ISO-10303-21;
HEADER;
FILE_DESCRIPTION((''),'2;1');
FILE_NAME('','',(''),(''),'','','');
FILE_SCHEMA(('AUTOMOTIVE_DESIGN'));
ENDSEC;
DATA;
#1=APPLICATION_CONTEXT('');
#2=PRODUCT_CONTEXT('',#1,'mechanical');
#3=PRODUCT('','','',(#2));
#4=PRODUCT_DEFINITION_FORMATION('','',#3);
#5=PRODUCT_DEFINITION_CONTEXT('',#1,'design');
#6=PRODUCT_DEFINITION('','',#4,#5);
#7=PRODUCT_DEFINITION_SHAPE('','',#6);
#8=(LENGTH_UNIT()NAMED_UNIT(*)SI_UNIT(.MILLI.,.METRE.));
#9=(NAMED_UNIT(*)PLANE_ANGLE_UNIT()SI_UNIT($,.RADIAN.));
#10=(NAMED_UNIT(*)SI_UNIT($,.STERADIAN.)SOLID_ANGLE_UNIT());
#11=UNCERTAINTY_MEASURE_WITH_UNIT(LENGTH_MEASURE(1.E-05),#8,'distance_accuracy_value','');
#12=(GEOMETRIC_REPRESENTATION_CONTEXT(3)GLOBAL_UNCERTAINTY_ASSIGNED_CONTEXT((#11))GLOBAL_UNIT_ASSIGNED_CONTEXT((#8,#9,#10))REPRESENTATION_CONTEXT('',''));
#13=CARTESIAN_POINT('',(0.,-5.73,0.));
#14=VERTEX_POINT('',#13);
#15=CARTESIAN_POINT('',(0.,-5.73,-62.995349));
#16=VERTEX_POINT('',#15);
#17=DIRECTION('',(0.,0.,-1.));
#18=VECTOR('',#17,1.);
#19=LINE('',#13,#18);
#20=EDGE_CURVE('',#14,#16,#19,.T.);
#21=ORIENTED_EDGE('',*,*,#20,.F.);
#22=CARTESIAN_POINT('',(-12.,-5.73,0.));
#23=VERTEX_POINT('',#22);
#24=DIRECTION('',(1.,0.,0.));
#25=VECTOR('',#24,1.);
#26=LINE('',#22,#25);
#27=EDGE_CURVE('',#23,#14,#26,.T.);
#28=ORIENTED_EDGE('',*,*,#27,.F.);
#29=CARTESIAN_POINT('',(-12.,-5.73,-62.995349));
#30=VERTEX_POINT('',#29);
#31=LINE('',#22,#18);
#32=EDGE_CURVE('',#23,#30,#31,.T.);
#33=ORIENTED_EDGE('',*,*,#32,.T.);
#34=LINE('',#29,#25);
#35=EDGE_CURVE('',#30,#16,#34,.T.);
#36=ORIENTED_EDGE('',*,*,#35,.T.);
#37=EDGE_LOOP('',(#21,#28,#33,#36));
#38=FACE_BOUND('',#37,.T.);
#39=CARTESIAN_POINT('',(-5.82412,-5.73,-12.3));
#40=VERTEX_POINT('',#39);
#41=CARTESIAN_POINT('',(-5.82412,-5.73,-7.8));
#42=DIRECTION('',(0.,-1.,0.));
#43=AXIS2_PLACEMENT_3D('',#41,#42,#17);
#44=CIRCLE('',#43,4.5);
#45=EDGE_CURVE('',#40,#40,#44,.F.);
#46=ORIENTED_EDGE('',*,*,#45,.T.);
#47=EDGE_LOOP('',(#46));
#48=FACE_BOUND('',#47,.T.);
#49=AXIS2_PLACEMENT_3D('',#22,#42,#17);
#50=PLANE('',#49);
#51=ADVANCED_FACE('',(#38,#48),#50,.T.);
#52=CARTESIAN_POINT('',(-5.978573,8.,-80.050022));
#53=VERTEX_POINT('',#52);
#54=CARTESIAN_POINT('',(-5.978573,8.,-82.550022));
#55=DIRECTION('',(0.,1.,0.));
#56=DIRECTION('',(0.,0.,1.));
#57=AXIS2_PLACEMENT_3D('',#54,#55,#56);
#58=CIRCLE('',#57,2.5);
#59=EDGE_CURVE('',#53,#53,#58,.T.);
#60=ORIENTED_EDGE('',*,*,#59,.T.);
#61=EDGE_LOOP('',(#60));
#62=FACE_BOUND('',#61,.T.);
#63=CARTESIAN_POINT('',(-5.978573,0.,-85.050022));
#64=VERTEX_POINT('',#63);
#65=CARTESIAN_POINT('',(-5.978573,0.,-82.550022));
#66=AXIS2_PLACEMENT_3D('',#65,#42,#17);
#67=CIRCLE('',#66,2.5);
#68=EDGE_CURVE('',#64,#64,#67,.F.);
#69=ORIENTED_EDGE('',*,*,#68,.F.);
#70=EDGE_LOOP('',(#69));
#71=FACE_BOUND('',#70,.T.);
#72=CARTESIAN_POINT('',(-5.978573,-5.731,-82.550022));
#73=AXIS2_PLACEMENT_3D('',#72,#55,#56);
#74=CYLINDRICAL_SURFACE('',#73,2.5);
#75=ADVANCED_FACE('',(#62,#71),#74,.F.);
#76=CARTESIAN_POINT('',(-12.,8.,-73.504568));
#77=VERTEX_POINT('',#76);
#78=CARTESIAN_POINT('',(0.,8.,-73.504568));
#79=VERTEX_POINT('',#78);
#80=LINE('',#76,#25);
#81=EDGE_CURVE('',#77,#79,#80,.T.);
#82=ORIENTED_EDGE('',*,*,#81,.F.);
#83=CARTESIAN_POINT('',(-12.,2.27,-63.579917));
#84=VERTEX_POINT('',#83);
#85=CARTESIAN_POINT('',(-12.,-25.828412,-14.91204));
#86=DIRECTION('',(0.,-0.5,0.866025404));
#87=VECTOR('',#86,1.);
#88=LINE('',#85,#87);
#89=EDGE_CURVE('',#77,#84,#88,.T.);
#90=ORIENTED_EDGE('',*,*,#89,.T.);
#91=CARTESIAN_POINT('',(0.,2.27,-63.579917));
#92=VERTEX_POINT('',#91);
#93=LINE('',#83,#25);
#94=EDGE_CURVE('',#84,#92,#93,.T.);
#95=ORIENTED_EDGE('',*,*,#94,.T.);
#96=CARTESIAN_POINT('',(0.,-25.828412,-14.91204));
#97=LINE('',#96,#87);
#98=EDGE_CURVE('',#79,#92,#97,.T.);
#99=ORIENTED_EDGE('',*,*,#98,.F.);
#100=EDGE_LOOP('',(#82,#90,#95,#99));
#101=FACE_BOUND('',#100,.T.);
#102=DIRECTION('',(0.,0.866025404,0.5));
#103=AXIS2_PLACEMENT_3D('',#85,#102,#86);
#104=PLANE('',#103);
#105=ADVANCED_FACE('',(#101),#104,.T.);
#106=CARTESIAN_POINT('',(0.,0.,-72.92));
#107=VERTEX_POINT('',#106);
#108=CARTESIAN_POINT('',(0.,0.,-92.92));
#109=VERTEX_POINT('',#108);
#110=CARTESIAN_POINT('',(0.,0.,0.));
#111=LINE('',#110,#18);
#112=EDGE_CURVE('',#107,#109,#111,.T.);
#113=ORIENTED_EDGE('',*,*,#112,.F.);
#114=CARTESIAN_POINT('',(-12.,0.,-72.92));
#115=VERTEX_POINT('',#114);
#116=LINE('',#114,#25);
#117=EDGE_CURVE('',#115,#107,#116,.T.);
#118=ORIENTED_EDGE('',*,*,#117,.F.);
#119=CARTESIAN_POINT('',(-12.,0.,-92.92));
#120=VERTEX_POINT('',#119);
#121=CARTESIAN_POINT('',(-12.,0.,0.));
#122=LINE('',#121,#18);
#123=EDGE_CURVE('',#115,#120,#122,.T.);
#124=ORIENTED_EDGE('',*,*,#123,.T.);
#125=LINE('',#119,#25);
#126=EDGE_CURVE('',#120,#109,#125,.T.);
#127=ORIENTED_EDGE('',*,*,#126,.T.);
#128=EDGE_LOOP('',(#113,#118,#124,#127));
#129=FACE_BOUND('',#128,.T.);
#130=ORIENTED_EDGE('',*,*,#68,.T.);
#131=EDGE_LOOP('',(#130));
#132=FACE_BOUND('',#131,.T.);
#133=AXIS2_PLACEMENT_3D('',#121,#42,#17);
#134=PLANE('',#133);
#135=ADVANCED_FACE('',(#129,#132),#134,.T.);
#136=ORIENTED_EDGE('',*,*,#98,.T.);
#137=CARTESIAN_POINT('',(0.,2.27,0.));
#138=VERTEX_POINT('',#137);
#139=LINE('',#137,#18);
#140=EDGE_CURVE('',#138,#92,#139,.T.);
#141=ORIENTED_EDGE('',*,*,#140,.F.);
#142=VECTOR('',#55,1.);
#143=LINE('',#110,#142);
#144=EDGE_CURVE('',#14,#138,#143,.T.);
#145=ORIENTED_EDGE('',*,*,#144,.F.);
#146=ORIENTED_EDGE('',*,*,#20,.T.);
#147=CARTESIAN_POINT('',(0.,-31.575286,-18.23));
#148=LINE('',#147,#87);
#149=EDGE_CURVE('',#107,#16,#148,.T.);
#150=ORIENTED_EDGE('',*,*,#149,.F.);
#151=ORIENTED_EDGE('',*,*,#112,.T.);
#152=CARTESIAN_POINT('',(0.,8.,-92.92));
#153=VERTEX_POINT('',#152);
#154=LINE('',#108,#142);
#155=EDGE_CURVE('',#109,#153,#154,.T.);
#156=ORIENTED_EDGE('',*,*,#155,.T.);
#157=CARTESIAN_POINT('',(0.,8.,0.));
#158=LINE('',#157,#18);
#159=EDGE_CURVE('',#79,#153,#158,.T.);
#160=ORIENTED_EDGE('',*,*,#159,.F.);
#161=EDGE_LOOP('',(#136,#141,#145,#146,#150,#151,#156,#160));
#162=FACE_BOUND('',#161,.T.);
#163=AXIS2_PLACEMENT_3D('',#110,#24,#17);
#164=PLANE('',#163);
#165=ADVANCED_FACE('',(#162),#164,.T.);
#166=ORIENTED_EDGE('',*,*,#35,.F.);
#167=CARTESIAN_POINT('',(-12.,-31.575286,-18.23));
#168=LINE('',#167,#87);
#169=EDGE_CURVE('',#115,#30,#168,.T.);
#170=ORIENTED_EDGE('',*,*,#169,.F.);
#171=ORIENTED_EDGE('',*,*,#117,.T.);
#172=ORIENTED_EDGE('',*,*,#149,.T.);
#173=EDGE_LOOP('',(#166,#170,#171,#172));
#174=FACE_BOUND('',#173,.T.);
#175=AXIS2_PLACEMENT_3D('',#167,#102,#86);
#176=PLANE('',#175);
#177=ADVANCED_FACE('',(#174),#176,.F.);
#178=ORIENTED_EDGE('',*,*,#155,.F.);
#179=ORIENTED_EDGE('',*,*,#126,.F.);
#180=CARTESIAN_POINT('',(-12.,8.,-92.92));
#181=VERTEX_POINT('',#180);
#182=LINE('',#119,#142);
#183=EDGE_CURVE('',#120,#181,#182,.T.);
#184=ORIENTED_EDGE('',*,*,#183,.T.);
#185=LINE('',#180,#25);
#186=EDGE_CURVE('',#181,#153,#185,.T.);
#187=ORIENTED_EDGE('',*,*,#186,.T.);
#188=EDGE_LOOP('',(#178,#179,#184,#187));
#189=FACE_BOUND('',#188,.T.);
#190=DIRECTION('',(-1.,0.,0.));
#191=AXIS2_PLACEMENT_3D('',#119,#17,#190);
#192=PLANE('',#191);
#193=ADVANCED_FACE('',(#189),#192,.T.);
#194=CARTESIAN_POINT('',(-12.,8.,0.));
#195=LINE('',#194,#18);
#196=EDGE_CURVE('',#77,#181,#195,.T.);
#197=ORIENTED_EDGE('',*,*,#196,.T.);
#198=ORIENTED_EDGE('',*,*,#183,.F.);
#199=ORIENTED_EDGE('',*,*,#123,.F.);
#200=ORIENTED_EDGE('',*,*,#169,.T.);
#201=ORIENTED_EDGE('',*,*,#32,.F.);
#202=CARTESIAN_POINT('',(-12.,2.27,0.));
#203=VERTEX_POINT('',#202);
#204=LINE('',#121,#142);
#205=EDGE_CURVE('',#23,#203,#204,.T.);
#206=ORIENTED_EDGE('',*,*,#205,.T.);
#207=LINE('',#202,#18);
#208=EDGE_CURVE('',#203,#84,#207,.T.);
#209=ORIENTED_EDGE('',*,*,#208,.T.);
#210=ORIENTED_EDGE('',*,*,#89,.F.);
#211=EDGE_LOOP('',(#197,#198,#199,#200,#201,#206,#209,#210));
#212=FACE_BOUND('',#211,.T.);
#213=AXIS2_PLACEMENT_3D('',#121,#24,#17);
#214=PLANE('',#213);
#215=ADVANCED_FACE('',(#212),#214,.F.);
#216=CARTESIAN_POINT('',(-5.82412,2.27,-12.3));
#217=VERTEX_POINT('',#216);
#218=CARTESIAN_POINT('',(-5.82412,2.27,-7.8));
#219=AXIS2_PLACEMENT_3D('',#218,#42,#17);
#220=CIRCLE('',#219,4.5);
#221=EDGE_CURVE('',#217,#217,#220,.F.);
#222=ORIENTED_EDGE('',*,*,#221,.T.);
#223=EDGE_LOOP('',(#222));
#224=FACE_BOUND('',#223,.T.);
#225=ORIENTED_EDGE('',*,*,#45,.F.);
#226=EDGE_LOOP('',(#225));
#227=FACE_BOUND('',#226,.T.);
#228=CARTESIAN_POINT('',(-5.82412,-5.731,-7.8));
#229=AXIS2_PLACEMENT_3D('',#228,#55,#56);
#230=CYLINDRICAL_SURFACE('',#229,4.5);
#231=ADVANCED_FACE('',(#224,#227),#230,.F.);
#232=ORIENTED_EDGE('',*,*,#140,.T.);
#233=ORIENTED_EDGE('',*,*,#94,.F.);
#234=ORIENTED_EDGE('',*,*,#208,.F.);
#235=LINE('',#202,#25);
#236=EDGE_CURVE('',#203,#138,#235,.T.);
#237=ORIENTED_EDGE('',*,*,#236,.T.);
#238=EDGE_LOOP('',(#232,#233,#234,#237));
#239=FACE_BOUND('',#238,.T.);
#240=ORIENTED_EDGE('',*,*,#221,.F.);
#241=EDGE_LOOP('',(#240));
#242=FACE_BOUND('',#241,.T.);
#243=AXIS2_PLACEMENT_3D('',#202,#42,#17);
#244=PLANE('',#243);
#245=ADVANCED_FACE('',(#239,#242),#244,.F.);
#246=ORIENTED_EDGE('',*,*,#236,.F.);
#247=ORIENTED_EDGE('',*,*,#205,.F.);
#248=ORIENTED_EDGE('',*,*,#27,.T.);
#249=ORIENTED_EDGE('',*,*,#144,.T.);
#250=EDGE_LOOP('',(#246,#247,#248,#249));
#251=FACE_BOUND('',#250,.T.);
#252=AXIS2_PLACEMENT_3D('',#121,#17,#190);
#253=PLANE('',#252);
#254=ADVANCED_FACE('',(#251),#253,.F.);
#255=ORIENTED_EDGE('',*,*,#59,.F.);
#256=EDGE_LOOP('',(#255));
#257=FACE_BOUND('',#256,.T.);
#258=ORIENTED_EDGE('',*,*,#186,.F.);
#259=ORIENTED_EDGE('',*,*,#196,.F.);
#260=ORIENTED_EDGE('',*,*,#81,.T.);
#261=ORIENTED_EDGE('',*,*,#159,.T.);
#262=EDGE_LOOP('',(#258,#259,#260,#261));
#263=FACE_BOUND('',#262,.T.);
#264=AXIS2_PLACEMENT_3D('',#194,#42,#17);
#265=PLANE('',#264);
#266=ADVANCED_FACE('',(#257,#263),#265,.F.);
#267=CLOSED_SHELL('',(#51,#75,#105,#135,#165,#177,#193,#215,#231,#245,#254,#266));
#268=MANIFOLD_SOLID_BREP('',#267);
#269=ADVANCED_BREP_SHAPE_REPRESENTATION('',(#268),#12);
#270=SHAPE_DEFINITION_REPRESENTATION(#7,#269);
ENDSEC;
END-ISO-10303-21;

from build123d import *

# Parameters (mm, degrees)
BOSS_EXTRUDE1_DEPTH = 12
CUT_EXTRUDE1_DEPTH  = 13.73


with BuildPart() as part:
    # Sketch1 → Boss-Extrude1 (new body)
    with BuildSketch(Plane(origin=(0, 0, 0), x_dir=(0, 0, -1), z_dir=(1, 0, 0))):
        Polygon((62.995348873, -5.73), (72.92, 0), (92.92, 0), (92.92, 3.314764861), (92.92, 8), (73.504568374, 8), (63.579917247, 2.27), (0, 2.27), (0, 0), (0, -5.73), (26.973026027, -5.73), align=None)
    extrude(amount=-BOSS_EXTRUDE1_DEPTH)

    # Sketch2 → Cut-Extrude1 (cut)
    with BuildSketch(Plane(origin=(0, 8, 0), x_dir=(1, 0, 0), z_dir=(0, 1, 0))):
        with BuildLine():
            ThreePointArc((-5.833418362, 12.299990394), (-10.32411062, 7.790701865), (-5.814822091, 3.300009606))
            Line((-5.814822091, 3.300009606), (-5.833418362, 12.299990394))
        make_face()
        with BuildLine():
            Line((-5.833418362, 12.299990394), (-5.814822091, 3.300009606))
            ThreePointArc((-5.814822091, 3.300009606), (-2.63885402, 4.621308572), (-1.324120226, 7.8))
            ThreePointArc((-1.324120226, 7.8), (-2.645428798, 10.985266206), (-5.833418362, 12.299990394))
        make_face()
        with BuildLine():
            ThreePointArc((-5.983738594, 85.0500168), (-8.478567627, 82.544856506), (-5.973407332, 80.050027474))
            Line((-5.973407332, 80.050027474), (-5.983738594, 85.0500168))
        make_face()
        with BuildLine():
            Line((-5.983738594, 85.0500168), (-5.973407332, 80.050027474))
            ThreePointArc((-5.973407332, 80.050027474), (-4.208980626, 80.784082455), (-3.478572963, 82.550022137))
            ThreePointArc((-3.478572963, 82.550022137), (-4.212633281, 84.319614474), (-5.983738594, 85.0500168))
        make_face()
    extrude(amount=-CUT_EXTRUDE1_DEPTH, mode=Mode.SUBTRACT)


solid = part.part
